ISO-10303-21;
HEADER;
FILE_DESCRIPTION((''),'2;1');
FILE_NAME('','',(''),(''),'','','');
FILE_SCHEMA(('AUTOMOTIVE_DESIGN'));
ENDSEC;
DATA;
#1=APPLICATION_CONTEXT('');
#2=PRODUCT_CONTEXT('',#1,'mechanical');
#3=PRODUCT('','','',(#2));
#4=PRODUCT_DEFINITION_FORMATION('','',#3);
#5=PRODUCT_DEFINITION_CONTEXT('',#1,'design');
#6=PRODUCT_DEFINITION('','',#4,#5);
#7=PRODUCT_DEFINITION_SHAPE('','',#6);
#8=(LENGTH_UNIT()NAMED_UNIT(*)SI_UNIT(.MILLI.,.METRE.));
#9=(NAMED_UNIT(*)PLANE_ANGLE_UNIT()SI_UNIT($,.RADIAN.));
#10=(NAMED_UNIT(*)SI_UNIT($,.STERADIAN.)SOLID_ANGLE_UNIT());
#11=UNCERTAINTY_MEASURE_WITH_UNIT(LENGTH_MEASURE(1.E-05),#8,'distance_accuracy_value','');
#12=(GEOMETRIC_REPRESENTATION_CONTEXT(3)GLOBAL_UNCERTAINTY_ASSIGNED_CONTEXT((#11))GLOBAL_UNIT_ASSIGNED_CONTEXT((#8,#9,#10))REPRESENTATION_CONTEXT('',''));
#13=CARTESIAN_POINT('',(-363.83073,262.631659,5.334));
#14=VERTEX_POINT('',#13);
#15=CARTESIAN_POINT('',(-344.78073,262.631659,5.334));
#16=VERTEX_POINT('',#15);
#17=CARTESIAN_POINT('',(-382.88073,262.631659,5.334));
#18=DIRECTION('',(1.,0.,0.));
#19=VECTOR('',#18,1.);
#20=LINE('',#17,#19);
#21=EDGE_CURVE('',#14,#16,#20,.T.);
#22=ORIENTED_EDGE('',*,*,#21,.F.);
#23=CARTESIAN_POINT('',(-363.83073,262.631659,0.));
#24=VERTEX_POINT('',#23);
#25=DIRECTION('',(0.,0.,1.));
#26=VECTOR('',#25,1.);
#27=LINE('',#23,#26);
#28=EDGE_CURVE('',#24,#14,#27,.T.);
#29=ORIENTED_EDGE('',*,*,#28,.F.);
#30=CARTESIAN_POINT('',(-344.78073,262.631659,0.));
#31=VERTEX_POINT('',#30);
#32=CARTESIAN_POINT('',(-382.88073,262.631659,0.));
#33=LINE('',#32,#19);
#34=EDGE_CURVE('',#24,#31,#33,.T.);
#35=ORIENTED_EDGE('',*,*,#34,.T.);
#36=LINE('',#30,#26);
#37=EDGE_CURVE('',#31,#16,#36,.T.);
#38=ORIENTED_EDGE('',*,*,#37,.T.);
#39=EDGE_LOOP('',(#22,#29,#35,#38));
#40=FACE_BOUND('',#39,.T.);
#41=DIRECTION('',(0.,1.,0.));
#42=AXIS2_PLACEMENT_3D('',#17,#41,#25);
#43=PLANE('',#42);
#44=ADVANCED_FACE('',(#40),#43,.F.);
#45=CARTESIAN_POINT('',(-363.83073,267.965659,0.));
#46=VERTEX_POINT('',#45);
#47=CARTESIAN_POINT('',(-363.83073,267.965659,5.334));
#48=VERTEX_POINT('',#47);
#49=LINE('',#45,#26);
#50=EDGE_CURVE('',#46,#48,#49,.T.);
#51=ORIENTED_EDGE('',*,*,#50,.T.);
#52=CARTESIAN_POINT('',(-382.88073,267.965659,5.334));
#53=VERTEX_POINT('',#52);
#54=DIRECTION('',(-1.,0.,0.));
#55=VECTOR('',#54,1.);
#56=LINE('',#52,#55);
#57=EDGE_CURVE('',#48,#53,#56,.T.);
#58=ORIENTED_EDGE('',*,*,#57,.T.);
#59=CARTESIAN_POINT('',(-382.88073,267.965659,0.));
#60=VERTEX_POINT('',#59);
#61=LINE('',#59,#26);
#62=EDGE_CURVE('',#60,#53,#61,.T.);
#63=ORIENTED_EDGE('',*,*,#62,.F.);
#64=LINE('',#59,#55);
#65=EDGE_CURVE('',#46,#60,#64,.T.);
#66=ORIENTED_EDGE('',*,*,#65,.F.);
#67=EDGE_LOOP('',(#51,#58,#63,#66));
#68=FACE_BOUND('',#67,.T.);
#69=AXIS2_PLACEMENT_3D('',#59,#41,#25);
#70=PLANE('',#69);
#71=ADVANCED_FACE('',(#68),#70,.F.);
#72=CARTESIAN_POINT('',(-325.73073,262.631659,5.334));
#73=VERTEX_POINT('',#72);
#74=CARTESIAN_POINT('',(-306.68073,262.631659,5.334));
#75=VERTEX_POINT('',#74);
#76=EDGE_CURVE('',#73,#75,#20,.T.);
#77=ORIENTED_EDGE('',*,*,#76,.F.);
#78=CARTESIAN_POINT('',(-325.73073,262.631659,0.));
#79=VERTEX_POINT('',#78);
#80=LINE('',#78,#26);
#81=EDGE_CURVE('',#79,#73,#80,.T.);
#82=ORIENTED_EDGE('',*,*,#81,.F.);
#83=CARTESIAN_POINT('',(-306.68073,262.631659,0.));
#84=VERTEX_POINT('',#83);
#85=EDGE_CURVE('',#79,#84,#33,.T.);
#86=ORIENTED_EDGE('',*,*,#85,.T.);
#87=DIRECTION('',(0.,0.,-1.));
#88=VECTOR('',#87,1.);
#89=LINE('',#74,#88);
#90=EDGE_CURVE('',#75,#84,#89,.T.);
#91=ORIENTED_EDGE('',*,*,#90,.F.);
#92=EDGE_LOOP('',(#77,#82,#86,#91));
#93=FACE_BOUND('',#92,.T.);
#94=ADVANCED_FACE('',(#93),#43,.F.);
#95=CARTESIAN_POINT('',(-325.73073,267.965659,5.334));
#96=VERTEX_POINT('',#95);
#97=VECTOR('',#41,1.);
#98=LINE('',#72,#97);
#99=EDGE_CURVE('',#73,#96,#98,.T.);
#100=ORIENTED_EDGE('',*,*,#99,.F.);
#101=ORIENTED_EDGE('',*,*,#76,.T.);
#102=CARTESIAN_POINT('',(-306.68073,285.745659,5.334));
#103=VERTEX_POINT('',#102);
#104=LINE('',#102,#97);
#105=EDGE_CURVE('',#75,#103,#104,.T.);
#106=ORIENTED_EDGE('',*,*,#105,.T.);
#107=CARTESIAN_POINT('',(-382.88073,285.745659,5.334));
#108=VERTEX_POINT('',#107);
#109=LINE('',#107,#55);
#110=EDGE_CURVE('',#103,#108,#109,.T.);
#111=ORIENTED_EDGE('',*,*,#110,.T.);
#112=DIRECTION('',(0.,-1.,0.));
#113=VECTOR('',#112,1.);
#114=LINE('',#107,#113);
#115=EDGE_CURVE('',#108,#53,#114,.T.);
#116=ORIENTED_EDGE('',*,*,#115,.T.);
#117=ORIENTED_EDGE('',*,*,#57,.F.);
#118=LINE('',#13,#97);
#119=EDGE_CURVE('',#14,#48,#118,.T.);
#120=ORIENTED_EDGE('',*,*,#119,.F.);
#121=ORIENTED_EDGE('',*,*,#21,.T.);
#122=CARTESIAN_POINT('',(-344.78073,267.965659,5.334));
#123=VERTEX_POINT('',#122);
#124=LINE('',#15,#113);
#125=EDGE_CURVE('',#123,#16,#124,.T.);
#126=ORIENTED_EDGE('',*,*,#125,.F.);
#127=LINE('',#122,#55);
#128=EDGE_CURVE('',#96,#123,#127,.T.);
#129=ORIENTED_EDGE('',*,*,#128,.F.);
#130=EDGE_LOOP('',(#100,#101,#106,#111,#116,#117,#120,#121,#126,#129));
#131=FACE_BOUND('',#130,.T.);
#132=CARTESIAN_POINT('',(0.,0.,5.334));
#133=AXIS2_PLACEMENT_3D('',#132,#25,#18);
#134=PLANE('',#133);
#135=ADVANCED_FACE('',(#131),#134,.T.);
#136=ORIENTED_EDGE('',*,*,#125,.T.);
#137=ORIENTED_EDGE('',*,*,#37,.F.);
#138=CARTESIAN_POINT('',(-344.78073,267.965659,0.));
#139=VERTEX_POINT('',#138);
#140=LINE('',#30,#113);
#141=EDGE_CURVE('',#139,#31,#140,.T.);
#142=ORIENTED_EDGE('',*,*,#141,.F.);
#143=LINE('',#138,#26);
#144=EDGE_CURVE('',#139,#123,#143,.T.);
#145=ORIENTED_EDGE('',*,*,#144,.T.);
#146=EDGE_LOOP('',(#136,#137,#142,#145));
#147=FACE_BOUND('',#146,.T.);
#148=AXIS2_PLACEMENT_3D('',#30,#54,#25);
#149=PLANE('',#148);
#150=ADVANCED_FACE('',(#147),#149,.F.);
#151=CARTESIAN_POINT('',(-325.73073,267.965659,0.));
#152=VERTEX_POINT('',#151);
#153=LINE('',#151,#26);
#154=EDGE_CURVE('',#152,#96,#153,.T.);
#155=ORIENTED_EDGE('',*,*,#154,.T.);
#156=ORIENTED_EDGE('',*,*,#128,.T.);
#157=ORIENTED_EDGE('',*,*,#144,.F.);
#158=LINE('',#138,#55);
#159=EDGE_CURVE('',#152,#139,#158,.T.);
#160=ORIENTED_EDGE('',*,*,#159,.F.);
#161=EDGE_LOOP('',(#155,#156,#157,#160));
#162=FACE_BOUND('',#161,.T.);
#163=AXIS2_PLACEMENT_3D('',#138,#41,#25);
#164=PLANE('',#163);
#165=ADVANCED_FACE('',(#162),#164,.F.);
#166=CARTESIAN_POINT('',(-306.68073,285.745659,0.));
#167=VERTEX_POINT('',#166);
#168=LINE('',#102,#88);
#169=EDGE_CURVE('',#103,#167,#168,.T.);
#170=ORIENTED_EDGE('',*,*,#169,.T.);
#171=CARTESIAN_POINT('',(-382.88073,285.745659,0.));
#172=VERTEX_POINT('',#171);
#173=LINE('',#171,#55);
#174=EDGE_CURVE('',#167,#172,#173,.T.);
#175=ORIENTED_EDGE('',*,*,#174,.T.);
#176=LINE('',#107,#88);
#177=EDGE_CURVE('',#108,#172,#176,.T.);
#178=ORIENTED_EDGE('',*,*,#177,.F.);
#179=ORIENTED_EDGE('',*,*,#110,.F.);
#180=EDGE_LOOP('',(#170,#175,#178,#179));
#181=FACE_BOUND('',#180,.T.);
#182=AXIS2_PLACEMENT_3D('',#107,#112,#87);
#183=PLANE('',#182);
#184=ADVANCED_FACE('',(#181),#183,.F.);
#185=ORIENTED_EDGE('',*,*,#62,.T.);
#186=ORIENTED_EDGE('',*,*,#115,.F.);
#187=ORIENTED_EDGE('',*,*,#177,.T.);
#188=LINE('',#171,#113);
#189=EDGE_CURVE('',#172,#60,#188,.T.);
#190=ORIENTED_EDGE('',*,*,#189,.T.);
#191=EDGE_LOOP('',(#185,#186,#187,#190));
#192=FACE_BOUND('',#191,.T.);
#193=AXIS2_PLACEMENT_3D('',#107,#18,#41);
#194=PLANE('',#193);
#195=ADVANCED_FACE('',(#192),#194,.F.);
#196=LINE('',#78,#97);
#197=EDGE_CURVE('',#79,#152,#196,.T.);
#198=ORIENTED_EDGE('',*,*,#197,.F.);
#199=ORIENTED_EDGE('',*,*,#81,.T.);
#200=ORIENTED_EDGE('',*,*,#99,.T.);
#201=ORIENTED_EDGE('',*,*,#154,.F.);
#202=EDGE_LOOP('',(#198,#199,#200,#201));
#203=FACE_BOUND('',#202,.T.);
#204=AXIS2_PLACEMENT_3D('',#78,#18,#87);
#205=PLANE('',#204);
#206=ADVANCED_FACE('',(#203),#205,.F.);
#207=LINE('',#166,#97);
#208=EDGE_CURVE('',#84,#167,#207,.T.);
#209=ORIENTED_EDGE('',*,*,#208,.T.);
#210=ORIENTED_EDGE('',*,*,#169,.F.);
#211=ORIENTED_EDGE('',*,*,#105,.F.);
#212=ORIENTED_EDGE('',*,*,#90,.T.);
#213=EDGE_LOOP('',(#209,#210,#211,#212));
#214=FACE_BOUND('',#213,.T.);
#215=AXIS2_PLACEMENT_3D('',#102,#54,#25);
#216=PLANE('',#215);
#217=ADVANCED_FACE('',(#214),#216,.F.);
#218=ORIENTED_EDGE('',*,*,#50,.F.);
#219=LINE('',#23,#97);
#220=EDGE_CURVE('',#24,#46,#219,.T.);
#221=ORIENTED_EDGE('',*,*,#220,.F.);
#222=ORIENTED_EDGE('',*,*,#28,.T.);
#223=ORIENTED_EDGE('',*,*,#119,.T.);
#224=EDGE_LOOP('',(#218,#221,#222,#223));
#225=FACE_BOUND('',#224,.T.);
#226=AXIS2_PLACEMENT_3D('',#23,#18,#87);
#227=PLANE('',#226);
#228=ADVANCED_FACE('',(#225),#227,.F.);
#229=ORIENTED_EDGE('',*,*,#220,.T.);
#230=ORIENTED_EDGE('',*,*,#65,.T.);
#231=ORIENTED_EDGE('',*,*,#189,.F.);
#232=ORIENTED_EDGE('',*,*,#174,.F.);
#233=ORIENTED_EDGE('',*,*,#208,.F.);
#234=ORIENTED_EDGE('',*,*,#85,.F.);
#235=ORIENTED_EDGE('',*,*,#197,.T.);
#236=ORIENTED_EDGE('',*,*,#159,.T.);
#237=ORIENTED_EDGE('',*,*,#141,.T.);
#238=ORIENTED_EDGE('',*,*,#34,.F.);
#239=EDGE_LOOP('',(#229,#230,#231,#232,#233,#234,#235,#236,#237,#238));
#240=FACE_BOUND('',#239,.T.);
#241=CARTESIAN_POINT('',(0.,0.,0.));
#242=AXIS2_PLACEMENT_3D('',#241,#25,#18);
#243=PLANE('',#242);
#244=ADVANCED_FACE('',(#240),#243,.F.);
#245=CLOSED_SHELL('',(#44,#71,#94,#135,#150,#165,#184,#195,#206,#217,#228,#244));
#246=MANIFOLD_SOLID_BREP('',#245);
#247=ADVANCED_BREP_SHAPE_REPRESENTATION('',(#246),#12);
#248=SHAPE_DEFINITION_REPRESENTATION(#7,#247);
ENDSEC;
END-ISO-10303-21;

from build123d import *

# Parameters (mm, degrees)
SKETCH1_W           = 76.2
SKETCH1_H           = 23.114
BOSS_EXTRUDE1_DEPTH = 5.334
SKETCH2_W           = 19.05
SKETCH2_H           = 5.334
CUT_EXTRUDE1_DEPTH  = 478.783096008


with BuildPart() as part:
    # Sketch1 → Boss-Extrude1 (new body)
    with BuildSketch(Plane.XY):
        with Locations((-344.780730467, 274.18865878)):
            Rectangle(SKETCH1_W, SKETCH1_H)
    extrude(amount=BOSS_EXTRUDE1_DEPTH)

    # Sketch2 → Cut-Extrude1 (cut, through all)
    with BuildSketch(Plane.XY.offset(5.334)):
        with Locations((-373.355730467, 265.29865878)):
            Rectangle(SKETCH2_W, SKETCH2_H)
        with Locations((-335.255730467, 265.29865878)):
            Rectangle(SKETCH2_W, SKETCH2_H)
    extrude(amount=-CUT_EXTRUDE1_DEPTH, mode=Mode.SUBTRACT)


solid = part.part
